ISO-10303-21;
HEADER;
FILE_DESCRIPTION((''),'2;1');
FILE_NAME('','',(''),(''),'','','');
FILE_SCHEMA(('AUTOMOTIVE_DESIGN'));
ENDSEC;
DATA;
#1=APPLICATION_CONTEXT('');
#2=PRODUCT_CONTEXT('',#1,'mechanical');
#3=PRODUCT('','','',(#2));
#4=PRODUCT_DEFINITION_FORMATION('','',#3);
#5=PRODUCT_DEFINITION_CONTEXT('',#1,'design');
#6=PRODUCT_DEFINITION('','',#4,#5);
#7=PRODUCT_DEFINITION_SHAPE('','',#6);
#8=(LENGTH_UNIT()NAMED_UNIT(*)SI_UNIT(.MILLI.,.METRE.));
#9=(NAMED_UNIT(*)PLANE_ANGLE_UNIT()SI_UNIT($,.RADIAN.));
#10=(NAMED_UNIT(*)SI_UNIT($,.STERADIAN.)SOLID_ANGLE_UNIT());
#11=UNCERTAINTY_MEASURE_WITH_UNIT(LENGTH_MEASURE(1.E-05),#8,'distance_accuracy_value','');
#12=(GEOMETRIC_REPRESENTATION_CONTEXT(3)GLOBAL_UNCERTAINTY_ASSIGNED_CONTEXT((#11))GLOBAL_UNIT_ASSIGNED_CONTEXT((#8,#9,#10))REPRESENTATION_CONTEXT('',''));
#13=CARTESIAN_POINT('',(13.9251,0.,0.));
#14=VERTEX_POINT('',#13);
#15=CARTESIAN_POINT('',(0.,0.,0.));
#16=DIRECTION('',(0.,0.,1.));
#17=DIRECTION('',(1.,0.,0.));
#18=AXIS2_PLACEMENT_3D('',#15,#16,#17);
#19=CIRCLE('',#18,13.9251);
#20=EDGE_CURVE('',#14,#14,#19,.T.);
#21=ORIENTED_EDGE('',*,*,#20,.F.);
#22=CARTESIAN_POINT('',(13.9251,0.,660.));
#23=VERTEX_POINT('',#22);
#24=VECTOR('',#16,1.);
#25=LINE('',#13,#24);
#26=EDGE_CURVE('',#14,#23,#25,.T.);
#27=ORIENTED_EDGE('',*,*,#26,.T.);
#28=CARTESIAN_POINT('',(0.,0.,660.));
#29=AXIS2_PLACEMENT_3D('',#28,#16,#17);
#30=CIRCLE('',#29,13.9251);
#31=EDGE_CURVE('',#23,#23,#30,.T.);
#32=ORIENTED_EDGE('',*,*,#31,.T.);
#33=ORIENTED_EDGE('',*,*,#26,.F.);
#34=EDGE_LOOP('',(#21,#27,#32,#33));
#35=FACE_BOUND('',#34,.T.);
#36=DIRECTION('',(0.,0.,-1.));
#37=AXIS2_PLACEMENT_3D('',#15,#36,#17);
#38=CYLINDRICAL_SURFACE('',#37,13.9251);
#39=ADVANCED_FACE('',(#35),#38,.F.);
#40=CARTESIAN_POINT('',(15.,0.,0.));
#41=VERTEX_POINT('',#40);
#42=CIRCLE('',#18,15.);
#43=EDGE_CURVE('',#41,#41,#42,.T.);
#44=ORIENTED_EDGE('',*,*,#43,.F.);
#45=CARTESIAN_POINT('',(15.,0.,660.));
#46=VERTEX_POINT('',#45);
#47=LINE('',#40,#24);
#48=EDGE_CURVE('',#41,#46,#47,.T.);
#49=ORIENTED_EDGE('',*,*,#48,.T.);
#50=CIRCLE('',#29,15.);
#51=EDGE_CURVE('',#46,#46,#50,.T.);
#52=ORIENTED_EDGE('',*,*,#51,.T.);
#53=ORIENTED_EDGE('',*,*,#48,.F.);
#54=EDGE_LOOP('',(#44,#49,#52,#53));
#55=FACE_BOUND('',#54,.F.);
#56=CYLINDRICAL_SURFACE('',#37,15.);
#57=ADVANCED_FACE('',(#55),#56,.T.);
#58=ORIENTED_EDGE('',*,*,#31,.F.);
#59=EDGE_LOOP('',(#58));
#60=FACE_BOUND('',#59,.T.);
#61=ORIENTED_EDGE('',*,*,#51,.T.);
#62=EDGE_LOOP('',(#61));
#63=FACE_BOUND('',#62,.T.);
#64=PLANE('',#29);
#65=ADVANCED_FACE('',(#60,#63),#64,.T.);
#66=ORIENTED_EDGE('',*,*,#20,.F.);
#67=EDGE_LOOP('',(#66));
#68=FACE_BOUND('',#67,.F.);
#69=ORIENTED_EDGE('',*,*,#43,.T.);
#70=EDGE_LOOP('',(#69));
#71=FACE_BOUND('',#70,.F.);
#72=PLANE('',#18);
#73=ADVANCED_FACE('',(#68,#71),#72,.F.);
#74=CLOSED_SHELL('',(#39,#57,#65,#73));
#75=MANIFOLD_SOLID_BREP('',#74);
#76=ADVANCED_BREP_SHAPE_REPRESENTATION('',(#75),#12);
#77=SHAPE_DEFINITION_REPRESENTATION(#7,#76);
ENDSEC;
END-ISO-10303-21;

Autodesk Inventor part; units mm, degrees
ref_plane "YZ Plane" through (0, 0, 0) normal (1, 0, 0) x (0, 1, 0)
ref_plane "XZ Plane" through (0, 0, 0) normal (0, 1, 0) x (-1, 0, 0)
ref_plane "XY Plane" through (0, 0, 0) normal (0, 0, 1) x (1, 0, 0)
sketch "Sketch1" plane through (0, 0, 0) normal (0, 0, 1) x (1, 0, 0)
  circle A0 centre (0, 0) radius 15
  circle A1 centre (0, 0) radius 13.9251
  dimension "d0" = 30
extrude "Extrusion1" add sketch "Sketch1" along normal blind 660
